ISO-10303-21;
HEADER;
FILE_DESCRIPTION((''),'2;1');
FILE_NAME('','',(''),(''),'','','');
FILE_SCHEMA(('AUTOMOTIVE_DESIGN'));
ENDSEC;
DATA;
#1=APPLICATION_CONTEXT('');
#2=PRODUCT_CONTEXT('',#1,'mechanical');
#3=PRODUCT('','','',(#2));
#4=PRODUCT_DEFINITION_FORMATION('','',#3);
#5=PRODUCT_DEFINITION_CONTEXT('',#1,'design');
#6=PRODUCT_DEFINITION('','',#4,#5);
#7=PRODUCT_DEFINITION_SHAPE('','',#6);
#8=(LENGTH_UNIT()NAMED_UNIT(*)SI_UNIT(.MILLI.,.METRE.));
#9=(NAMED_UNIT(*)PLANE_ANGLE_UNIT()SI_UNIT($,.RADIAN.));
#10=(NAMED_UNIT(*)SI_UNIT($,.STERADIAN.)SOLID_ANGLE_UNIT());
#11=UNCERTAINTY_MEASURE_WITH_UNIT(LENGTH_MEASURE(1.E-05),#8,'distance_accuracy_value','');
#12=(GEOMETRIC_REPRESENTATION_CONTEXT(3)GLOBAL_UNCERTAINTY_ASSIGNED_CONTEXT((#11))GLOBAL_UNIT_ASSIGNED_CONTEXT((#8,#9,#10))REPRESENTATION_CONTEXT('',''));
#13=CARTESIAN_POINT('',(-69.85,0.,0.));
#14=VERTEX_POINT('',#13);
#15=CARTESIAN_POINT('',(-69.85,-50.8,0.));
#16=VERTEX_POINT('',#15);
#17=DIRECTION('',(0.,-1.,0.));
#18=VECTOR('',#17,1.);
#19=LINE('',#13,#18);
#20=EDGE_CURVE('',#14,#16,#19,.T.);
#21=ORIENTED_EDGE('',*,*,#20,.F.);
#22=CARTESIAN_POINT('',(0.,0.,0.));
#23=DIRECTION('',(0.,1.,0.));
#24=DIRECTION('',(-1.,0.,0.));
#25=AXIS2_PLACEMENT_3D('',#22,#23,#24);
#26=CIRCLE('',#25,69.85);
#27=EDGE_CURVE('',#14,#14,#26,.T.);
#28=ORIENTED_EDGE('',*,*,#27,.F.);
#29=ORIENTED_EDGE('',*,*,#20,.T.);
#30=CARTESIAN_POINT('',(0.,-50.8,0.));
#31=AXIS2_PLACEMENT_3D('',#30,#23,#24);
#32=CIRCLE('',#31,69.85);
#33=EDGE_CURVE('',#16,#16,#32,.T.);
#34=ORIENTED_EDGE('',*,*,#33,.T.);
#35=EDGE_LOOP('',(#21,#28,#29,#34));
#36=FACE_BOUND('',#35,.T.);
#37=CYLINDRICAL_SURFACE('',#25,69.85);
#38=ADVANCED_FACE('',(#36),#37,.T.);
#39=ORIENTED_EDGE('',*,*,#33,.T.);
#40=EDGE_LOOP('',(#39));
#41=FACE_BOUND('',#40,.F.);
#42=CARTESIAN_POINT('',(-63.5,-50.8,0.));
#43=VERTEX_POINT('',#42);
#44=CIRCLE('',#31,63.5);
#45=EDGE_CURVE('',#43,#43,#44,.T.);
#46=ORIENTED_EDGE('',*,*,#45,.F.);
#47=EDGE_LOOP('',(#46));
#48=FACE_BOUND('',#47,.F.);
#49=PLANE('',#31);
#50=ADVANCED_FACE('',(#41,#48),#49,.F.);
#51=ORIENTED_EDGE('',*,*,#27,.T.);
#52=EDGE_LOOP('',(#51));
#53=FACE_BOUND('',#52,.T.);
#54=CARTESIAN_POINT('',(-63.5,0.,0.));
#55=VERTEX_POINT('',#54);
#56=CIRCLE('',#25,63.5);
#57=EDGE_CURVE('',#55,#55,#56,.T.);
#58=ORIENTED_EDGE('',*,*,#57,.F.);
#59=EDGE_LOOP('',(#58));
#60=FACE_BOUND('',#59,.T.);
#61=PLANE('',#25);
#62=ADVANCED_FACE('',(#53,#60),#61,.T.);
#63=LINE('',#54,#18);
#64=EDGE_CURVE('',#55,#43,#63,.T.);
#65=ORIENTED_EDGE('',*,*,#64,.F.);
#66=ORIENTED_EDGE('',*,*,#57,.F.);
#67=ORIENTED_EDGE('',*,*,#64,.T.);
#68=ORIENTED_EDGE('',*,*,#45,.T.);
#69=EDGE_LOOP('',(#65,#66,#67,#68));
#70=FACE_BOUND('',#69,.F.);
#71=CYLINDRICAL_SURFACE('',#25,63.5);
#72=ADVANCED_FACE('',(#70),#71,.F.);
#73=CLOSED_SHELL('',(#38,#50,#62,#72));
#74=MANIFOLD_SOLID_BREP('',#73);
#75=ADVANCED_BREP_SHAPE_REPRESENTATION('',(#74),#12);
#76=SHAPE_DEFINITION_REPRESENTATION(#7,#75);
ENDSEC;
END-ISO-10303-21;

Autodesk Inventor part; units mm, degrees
ref_plane "YZ Plane" through (0, 0, 0) normal (1, 0, 0) x (0, 1, 0)
ref_plane "XZ Plane" through (0, 0, 0) normal (0, 1, 0) x (-1, 0, 0)
ref_plane "XY Plane" through (0, 0, 0) normal (0, 0, 1) x (1, 0, 0)
sketch "Sketch1" plane through (0, 0, 0) normal (0, 1, 0) x (-1, 0, 0)
  circle A0 centre (0, 0) radius 69.85
  circle A1 centre (0, 0) radius 63.5
  dimension "d0" = 139.7
  dimension "d1" = 6.35
extrude "Extrusion1" add sketch "Sketch1" against normal blind 50.8
sketch "Sketch2" plane through (0, 0, 0) normal (0, 1, 0) x (1, 0, 0)
  circle A0 centre (0, 0) radius 63.5 projected
sketch "Sketch3" plane through (0, -50.8, 0) normal (0, -1, 0) x (1, 0, 0)
  circle A0 centre (0, 0) radius 50.8
  circle A1 centre (0, 0) radius 69.85 projected
  dimension "d4" = 101.6
properties part number "Main Cyclone Breaker"
